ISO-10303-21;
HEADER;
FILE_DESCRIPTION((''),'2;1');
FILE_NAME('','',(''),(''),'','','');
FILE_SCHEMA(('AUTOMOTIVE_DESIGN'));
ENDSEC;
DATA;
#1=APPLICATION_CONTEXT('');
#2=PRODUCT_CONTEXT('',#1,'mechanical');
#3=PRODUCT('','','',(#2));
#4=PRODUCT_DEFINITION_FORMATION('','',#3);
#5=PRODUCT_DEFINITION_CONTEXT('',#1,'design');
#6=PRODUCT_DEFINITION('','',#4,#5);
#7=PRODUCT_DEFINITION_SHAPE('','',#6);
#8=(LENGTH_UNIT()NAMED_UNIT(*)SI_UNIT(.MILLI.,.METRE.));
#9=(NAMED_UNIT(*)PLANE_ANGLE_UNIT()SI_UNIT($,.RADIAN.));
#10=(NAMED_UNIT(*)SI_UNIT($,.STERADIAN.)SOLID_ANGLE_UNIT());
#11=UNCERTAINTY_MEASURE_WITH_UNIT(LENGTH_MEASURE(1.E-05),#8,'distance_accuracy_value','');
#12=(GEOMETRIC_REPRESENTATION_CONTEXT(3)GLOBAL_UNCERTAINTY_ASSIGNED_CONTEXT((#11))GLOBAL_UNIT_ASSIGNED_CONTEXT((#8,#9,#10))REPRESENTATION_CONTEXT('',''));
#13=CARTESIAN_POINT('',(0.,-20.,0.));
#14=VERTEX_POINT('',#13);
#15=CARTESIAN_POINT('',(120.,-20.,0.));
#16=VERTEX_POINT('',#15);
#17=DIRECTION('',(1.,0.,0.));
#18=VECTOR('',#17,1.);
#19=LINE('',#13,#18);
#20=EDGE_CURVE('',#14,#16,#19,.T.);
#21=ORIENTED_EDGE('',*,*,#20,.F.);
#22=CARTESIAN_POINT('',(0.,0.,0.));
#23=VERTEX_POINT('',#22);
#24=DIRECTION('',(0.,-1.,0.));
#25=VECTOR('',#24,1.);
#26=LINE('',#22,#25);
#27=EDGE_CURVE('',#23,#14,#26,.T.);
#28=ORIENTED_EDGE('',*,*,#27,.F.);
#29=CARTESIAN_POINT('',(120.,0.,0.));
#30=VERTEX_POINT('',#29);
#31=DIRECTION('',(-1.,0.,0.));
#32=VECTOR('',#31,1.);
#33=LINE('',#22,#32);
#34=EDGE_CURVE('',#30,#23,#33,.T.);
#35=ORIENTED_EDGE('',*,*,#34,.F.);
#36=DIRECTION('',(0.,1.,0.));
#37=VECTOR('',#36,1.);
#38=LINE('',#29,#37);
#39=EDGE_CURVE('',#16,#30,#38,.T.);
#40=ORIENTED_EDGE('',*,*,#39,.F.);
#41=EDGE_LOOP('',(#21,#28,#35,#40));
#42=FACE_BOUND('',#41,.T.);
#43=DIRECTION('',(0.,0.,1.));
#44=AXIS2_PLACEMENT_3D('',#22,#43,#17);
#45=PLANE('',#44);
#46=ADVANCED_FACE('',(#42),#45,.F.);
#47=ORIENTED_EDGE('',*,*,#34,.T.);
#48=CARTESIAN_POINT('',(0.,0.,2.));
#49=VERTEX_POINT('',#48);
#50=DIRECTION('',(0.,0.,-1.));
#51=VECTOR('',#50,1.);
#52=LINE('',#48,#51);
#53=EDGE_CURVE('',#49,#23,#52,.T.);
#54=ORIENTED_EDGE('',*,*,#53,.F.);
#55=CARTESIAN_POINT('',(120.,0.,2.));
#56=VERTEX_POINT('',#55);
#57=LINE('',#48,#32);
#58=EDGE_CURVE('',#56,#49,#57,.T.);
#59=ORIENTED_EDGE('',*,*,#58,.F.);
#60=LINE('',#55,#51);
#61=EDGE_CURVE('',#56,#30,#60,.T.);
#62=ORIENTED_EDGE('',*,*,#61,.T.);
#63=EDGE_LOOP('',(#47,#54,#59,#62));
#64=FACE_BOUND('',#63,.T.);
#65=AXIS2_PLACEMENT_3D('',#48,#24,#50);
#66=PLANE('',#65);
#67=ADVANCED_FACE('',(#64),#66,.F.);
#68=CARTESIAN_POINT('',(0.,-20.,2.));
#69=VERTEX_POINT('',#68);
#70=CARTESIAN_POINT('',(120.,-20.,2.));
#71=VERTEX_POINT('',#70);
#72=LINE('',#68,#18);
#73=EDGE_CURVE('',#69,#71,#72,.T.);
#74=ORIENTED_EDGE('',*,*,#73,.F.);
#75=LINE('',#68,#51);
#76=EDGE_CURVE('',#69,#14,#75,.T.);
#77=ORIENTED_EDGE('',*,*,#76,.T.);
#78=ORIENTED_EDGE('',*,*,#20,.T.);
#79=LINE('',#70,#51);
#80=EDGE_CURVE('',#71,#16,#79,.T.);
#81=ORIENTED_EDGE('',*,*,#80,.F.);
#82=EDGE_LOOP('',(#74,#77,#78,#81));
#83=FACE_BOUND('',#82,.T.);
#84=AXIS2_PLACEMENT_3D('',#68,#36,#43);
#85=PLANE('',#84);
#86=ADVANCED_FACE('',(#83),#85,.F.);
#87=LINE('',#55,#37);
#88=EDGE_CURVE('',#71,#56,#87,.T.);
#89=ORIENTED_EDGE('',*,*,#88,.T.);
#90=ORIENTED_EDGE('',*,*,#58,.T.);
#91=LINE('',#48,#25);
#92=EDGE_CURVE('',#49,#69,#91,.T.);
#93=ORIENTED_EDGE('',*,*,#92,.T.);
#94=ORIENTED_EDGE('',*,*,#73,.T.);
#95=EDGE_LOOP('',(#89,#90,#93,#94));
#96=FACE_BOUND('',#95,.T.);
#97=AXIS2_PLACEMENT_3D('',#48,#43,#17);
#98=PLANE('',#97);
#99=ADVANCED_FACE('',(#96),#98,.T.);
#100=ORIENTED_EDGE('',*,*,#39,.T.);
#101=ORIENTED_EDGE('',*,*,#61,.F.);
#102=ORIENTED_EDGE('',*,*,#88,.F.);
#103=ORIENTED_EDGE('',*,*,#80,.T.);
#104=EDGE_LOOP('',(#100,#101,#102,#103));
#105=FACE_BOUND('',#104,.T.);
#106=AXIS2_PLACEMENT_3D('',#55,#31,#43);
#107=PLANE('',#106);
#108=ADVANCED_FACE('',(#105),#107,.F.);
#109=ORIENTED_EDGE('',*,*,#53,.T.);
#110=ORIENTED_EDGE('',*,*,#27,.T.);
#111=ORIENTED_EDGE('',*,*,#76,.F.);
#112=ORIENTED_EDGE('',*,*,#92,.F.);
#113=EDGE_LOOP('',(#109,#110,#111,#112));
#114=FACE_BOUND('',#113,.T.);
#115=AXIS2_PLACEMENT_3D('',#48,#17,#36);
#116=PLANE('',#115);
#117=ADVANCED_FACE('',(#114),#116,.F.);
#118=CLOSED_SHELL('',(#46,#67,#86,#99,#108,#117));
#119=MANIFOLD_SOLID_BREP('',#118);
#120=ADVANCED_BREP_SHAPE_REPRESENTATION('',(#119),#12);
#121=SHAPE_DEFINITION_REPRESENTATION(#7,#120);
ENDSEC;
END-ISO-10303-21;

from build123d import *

# Parameters (mm, degrees)
SKETCH_1_W      = 120
SKETCH_1_H      = 20
EXTRUDE_1_DEPTH = 2


with BuildPart() as part:
    # Sketch 1 → Бобышка-Вытянуть1 (new body)
    with BuildSketch(Plane.XY):
        with Locations((60, -10)):
            Rectangle(SKETCH_1_W, SKETCH_1_H)
    extrude(amount=EXTRUDE_1_DEPTH)


solid = part.part
